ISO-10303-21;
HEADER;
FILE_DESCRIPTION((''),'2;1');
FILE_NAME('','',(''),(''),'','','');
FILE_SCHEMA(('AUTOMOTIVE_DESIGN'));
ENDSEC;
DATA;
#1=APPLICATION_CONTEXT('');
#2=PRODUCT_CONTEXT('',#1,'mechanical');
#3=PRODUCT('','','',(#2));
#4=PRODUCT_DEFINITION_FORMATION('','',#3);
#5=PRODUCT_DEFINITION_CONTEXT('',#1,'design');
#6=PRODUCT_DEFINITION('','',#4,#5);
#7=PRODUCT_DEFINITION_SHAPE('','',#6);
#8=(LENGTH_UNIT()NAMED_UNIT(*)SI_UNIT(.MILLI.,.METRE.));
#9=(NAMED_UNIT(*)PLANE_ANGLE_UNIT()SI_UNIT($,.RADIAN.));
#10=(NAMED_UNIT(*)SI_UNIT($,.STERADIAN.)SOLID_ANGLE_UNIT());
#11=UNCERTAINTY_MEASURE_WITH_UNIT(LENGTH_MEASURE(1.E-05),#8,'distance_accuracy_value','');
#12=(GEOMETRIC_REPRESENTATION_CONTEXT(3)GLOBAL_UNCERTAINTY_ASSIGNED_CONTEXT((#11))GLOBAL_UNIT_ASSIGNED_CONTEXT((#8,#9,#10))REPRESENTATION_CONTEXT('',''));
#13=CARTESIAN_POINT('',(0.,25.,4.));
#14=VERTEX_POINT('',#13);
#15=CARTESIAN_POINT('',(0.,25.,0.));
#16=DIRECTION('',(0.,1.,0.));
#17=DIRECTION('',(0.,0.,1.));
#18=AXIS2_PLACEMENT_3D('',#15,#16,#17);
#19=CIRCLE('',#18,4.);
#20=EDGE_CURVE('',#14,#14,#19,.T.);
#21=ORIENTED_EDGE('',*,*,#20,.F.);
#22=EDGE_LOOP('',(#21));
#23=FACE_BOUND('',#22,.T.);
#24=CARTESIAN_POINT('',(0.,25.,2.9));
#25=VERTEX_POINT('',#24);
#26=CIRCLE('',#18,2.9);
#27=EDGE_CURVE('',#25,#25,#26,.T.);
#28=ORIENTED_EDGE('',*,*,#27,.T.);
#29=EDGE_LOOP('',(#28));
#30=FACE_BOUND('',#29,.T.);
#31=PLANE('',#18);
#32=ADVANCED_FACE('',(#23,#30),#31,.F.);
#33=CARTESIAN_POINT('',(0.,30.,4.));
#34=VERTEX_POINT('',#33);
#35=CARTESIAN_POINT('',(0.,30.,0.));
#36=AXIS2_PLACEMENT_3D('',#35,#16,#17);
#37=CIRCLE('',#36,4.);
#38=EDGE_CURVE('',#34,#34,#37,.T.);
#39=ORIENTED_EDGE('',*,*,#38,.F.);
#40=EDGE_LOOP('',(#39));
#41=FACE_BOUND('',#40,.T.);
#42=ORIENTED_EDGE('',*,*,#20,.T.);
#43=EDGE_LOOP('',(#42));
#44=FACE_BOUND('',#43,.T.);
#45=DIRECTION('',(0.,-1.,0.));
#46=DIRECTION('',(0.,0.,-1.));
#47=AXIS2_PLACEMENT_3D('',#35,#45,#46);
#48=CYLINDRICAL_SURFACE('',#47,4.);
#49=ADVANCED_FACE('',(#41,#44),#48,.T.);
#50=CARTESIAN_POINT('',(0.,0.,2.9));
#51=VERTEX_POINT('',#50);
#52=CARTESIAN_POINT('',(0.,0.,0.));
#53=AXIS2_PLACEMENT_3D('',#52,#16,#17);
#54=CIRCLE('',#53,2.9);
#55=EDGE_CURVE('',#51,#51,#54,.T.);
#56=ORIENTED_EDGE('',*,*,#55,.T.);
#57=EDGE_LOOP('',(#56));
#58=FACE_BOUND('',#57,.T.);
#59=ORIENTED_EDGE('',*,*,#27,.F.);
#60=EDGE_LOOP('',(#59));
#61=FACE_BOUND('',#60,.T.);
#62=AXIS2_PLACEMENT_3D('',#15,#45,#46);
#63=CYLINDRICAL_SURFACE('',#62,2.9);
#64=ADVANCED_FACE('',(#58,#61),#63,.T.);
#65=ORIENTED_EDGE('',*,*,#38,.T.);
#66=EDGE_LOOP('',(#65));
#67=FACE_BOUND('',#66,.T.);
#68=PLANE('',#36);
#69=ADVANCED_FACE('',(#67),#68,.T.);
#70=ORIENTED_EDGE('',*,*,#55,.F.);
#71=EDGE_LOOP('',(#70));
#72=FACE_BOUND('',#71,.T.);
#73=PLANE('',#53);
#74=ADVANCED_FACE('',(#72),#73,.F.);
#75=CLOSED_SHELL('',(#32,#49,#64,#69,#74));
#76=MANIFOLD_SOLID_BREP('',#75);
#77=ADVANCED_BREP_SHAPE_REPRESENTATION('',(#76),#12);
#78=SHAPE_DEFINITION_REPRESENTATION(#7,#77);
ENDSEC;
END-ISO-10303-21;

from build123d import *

# Parameters (mm, degrees)
SKETCH_1_R      = 2.9
EXTRUDE_1_DEPTH = 25
SKETCH_2_R      = 4
EXTRUDE_2_DEPTH = 5


with BuildPart() as part:
    # 草图1 → 凸台-拉伸1 (new body)
    with BuildSketch(Plane(origin=(0, 0, 0), x_dir=(1, 0, 0), z_dir=(0, 1, 0))):
        with Locations(Location((0, 0, 0), (0, 0, 270))):
            Circle(SKETCH_1_R)
    extrude(amount=EXTRUDE_1_DEPTH)

    # 草图2 → 凸台-拉伸2 (add)
    with BuildSketch(Plane(origin=(0, 25, 0), x_dir=(1, 0, 0), z_dir=(0, 1, 0))):
        with Locations(Location((0, 0, 0), (0, 0, 270))):
            Circle(SKETCH_2_R)
    extrude(amount=EXTRUDE_2_DEPTH)


solid = part.part
